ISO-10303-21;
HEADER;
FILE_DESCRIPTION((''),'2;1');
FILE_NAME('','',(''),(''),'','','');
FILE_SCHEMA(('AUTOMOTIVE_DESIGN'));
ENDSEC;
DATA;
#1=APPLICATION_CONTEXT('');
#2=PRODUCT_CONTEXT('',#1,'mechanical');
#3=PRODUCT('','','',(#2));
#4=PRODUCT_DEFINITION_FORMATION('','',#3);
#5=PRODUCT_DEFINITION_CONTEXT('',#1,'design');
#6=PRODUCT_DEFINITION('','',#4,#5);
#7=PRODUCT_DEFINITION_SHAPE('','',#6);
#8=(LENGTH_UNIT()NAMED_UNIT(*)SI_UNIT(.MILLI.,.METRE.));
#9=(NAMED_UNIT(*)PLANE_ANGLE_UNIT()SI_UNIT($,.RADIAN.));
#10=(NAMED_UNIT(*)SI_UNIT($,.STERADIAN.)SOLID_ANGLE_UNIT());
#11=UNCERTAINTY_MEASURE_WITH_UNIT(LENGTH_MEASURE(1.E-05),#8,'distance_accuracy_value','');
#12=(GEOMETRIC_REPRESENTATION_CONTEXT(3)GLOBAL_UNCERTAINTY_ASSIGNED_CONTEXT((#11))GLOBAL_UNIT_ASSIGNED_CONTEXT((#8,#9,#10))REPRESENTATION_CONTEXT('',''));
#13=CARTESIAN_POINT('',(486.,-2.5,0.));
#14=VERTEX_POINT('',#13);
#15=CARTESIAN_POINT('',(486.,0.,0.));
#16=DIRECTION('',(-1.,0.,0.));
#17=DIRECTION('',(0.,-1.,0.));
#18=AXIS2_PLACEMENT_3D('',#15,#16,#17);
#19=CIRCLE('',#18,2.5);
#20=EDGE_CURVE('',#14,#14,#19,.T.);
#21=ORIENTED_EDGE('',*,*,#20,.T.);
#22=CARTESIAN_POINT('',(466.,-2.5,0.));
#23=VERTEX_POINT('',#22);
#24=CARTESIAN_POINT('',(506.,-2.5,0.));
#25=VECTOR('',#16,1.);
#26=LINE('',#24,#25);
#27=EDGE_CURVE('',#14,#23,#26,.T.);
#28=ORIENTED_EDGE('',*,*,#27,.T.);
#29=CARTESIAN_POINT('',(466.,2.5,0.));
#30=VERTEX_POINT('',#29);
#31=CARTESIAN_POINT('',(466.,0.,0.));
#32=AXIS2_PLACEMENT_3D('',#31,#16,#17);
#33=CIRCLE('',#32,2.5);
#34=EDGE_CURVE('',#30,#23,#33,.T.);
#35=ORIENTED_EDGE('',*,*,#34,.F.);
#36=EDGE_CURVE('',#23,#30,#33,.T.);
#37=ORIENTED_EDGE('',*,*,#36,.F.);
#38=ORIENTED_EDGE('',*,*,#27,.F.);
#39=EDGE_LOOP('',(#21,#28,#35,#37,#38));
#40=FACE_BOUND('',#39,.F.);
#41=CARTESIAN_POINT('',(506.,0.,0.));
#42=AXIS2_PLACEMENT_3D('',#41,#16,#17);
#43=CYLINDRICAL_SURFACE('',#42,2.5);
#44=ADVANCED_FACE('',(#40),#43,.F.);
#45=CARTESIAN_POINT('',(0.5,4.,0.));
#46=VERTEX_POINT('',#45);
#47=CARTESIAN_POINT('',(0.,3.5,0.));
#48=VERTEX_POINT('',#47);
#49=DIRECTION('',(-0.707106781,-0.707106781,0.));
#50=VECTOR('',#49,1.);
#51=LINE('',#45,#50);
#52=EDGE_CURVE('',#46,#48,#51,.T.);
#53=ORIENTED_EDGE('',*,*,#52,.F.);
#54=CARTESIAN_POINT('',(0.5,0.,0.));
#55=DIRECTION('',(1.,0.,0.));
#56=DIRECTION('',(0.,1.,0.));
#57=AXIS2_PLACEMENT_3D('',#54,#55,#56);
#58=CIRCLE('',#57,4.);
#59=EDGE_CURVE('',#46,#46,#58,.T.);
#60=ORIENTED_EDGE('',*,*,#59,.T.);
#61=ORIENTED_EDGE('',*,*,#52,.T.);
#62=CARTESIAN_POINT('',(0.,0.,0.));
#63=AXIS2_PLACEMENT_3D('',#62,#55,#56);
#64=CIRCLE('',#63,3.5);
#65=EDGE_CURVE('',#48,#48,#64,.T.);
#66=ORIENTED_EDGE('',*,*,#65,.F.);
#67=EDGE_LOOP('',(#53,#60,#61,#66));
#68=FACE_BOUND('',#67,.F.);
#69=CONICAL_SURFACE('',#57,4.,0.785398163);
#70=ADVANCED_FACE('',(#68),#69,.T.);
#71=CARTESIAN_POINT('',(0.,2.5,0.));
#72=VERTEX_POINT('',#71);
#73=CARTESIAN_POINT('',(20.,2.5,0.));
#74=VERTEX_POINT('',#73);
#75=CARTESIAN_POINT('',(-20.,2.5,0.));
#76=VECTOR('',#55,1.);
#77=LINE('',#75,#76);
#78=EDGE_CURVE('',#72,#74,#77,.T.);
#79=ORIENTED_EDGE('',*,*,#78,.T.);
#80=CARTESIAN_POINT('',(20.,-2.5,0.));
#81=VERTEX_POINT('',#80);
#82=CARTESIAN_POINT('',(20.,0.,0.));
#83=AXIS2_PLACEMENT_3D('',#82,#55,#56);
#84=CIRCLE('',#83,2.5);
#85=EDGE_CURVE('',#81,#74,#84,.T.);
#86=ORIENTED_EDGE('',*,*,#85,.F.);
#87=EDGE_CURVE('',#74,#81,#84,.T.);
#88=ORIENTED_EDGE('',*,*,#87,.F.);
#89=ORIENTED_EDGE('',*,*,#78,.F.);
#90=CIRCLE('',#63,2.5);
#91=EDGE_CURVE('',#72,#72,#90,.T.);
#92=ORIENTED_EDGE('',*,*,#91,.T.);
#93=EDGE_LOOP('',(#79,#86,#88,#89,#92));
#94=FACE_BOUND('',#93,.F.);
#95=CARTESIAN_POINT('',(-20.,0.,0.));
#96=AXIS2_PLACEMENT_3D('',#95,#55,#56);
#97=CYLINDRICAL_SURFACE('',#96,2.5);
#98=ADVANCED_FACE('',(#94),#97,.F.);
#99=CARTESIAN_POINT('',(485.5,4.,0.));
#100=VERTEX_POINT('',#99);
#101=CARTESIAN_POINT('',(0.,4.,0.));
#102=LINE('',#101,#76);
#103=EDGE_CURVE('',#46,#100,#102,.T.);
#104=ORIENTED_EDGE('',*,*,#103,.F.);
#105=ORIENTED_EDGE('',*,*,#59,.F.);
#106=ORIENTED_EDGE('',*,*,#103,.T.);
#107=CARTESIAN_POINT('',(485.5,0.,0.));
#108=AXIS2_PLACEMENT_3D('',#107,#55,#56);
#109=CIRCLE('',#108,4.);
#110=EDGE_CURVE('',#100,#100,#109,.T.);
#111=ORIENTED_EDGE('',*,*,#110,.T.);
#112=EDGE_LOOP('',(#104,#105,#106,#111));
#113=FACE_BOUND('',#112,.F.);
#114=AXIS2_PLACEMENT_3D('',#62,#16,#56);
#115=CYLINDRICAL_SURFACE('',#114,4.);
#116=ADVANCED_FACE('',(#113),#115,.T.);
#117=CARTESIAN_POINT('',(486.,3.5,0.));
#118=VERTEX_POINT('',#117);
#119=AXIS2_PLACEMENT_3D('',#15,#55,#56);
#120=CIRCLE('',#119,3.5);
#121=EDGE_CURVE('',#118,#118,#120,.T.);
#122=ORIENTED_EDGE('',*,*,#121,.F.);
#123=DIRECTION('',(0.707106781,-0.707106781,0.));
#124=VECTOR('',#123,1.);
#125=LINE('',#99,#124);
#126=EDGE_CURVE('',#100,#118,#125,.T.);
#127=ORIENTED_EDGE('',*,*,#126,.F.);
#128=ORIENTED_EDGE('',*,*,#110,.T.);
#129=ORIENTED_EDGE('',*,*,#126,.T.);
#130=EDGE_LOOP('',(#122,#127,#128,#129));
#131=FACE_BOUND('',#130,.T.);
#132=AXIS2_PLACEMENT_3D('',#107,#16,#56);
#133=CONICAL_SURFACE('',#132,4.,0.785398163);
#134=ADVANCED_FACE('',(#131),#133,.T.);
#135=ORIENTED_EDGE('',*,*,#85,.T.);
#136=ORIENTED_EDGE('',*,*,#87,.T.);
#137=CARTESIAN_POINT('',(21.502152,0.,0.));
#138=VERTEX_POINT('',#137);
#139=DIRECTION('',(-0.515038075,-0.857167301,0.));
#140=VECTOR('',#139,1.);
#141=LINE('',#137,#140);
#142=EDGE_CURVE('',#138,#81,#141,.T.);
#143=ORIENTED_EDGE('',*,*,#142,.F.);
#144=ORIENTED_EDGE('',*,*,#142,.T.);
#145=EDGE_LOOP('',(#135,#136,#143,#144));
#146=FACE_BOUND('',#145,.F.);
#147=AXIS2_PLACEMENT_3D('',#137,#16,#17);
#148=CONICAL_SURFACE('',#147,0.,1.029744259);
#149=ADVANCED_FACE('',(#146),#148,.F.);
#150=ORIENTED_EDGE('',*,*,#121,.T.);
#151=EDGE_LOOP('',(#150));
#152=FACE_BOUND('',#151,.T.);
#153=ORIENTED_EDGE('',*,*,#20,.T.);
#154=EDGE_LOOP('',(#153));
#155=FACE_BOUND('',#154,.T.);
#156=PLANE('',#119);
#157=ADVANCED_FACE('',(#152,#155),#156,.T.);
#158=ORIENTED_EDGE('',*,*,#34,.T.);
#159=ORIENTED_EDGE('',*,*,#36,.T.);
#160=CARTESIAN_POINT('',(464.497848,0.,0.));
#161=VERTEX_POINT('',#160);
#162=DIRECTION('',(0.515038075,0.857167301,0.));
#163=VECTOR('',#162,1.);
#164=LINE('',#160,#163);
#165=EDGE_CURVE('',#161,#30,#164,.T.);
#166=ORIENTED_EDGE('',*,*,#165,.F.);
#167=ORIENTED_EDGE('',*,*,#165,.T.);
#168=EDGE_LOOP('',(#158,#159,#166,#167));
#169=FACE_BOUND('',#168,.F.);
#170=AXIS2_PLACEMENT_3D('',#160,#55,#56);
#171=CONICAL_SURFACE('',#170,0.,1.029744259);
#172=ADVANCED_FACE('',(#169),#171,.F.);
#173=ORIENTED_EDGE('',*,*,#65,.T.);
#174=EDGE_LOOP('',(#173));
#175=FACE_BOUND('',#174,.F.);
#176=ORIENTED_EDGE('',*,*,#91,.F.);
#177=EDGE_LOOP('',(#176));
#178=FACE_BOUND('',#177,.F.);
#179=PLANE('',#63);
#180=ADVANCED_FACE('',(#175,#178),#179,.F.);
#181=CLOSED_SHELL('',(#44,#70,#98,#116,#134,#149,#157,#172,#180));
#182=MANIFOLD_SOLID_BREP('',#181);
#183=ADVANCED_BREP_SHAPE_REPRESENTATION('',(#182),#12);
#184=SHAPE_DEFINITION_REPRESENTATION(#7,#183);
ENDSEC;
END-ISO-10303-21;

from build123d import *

# Parameters (mm, degrees)
F0_R           = 4
F1_DEPTH       = 486
F4_D           = 5
F4_DEPTH       = 20
F4_TIP         = 1.5021515476
F4_ON_F2_D     = 5
F4_ON_F2_DEPTH = 20
F4_ON_F2_TIP   = 1.5021515476
F5_SIZE        = 0.5


with BuildPart() as f1:
    # F0 (on Right) → F1 (new body)
    with BuildSketch(Plane.YZ):
        Circle(F0_R)
    extrude(amount=F1_DEPTH)

    # F4
    with Locations(Plane(origin=(0, 0, 0), x_dir=(0, -1, 0), z_dir=(-1, 0, 0))):
        with Locations((0, 0)):
            Hole(F4_D / 2, depth=F4_DEPTH)
            with Locations((0, 0, -(F4_DEPTH + F4_TIP / 2))):  # 118° drill point
                Cone(0, F4_D / 2, F4_TIP, mode=Mode.SUBTRACT)

    # F4 on F2
    with Locations(Plane.YZ.offset(486)):
        with Locations((0, 0)):
            Hole(F4_ON_F2_D / 2, depth=F4_ON_F2_DEPTH)
            with Locations((0, 0, -(F4_ON_F2_DEPTH + F4_ON_F2_TIP / 2))):  # 118° drill point
                Cone(0, F4_ON_F2_D / 2, F4_ON_F2_TIP, mode=Mode.SUBTRACT)

    # F5
    f5_edges = [f1.edges().sort_by_distance(p)[0] for p in [
        (486, -4, 0),
        (0, -4, 0),
    ]]
    chamfer(f5_edges, length=F5_SIZE)


solid = f1.part
